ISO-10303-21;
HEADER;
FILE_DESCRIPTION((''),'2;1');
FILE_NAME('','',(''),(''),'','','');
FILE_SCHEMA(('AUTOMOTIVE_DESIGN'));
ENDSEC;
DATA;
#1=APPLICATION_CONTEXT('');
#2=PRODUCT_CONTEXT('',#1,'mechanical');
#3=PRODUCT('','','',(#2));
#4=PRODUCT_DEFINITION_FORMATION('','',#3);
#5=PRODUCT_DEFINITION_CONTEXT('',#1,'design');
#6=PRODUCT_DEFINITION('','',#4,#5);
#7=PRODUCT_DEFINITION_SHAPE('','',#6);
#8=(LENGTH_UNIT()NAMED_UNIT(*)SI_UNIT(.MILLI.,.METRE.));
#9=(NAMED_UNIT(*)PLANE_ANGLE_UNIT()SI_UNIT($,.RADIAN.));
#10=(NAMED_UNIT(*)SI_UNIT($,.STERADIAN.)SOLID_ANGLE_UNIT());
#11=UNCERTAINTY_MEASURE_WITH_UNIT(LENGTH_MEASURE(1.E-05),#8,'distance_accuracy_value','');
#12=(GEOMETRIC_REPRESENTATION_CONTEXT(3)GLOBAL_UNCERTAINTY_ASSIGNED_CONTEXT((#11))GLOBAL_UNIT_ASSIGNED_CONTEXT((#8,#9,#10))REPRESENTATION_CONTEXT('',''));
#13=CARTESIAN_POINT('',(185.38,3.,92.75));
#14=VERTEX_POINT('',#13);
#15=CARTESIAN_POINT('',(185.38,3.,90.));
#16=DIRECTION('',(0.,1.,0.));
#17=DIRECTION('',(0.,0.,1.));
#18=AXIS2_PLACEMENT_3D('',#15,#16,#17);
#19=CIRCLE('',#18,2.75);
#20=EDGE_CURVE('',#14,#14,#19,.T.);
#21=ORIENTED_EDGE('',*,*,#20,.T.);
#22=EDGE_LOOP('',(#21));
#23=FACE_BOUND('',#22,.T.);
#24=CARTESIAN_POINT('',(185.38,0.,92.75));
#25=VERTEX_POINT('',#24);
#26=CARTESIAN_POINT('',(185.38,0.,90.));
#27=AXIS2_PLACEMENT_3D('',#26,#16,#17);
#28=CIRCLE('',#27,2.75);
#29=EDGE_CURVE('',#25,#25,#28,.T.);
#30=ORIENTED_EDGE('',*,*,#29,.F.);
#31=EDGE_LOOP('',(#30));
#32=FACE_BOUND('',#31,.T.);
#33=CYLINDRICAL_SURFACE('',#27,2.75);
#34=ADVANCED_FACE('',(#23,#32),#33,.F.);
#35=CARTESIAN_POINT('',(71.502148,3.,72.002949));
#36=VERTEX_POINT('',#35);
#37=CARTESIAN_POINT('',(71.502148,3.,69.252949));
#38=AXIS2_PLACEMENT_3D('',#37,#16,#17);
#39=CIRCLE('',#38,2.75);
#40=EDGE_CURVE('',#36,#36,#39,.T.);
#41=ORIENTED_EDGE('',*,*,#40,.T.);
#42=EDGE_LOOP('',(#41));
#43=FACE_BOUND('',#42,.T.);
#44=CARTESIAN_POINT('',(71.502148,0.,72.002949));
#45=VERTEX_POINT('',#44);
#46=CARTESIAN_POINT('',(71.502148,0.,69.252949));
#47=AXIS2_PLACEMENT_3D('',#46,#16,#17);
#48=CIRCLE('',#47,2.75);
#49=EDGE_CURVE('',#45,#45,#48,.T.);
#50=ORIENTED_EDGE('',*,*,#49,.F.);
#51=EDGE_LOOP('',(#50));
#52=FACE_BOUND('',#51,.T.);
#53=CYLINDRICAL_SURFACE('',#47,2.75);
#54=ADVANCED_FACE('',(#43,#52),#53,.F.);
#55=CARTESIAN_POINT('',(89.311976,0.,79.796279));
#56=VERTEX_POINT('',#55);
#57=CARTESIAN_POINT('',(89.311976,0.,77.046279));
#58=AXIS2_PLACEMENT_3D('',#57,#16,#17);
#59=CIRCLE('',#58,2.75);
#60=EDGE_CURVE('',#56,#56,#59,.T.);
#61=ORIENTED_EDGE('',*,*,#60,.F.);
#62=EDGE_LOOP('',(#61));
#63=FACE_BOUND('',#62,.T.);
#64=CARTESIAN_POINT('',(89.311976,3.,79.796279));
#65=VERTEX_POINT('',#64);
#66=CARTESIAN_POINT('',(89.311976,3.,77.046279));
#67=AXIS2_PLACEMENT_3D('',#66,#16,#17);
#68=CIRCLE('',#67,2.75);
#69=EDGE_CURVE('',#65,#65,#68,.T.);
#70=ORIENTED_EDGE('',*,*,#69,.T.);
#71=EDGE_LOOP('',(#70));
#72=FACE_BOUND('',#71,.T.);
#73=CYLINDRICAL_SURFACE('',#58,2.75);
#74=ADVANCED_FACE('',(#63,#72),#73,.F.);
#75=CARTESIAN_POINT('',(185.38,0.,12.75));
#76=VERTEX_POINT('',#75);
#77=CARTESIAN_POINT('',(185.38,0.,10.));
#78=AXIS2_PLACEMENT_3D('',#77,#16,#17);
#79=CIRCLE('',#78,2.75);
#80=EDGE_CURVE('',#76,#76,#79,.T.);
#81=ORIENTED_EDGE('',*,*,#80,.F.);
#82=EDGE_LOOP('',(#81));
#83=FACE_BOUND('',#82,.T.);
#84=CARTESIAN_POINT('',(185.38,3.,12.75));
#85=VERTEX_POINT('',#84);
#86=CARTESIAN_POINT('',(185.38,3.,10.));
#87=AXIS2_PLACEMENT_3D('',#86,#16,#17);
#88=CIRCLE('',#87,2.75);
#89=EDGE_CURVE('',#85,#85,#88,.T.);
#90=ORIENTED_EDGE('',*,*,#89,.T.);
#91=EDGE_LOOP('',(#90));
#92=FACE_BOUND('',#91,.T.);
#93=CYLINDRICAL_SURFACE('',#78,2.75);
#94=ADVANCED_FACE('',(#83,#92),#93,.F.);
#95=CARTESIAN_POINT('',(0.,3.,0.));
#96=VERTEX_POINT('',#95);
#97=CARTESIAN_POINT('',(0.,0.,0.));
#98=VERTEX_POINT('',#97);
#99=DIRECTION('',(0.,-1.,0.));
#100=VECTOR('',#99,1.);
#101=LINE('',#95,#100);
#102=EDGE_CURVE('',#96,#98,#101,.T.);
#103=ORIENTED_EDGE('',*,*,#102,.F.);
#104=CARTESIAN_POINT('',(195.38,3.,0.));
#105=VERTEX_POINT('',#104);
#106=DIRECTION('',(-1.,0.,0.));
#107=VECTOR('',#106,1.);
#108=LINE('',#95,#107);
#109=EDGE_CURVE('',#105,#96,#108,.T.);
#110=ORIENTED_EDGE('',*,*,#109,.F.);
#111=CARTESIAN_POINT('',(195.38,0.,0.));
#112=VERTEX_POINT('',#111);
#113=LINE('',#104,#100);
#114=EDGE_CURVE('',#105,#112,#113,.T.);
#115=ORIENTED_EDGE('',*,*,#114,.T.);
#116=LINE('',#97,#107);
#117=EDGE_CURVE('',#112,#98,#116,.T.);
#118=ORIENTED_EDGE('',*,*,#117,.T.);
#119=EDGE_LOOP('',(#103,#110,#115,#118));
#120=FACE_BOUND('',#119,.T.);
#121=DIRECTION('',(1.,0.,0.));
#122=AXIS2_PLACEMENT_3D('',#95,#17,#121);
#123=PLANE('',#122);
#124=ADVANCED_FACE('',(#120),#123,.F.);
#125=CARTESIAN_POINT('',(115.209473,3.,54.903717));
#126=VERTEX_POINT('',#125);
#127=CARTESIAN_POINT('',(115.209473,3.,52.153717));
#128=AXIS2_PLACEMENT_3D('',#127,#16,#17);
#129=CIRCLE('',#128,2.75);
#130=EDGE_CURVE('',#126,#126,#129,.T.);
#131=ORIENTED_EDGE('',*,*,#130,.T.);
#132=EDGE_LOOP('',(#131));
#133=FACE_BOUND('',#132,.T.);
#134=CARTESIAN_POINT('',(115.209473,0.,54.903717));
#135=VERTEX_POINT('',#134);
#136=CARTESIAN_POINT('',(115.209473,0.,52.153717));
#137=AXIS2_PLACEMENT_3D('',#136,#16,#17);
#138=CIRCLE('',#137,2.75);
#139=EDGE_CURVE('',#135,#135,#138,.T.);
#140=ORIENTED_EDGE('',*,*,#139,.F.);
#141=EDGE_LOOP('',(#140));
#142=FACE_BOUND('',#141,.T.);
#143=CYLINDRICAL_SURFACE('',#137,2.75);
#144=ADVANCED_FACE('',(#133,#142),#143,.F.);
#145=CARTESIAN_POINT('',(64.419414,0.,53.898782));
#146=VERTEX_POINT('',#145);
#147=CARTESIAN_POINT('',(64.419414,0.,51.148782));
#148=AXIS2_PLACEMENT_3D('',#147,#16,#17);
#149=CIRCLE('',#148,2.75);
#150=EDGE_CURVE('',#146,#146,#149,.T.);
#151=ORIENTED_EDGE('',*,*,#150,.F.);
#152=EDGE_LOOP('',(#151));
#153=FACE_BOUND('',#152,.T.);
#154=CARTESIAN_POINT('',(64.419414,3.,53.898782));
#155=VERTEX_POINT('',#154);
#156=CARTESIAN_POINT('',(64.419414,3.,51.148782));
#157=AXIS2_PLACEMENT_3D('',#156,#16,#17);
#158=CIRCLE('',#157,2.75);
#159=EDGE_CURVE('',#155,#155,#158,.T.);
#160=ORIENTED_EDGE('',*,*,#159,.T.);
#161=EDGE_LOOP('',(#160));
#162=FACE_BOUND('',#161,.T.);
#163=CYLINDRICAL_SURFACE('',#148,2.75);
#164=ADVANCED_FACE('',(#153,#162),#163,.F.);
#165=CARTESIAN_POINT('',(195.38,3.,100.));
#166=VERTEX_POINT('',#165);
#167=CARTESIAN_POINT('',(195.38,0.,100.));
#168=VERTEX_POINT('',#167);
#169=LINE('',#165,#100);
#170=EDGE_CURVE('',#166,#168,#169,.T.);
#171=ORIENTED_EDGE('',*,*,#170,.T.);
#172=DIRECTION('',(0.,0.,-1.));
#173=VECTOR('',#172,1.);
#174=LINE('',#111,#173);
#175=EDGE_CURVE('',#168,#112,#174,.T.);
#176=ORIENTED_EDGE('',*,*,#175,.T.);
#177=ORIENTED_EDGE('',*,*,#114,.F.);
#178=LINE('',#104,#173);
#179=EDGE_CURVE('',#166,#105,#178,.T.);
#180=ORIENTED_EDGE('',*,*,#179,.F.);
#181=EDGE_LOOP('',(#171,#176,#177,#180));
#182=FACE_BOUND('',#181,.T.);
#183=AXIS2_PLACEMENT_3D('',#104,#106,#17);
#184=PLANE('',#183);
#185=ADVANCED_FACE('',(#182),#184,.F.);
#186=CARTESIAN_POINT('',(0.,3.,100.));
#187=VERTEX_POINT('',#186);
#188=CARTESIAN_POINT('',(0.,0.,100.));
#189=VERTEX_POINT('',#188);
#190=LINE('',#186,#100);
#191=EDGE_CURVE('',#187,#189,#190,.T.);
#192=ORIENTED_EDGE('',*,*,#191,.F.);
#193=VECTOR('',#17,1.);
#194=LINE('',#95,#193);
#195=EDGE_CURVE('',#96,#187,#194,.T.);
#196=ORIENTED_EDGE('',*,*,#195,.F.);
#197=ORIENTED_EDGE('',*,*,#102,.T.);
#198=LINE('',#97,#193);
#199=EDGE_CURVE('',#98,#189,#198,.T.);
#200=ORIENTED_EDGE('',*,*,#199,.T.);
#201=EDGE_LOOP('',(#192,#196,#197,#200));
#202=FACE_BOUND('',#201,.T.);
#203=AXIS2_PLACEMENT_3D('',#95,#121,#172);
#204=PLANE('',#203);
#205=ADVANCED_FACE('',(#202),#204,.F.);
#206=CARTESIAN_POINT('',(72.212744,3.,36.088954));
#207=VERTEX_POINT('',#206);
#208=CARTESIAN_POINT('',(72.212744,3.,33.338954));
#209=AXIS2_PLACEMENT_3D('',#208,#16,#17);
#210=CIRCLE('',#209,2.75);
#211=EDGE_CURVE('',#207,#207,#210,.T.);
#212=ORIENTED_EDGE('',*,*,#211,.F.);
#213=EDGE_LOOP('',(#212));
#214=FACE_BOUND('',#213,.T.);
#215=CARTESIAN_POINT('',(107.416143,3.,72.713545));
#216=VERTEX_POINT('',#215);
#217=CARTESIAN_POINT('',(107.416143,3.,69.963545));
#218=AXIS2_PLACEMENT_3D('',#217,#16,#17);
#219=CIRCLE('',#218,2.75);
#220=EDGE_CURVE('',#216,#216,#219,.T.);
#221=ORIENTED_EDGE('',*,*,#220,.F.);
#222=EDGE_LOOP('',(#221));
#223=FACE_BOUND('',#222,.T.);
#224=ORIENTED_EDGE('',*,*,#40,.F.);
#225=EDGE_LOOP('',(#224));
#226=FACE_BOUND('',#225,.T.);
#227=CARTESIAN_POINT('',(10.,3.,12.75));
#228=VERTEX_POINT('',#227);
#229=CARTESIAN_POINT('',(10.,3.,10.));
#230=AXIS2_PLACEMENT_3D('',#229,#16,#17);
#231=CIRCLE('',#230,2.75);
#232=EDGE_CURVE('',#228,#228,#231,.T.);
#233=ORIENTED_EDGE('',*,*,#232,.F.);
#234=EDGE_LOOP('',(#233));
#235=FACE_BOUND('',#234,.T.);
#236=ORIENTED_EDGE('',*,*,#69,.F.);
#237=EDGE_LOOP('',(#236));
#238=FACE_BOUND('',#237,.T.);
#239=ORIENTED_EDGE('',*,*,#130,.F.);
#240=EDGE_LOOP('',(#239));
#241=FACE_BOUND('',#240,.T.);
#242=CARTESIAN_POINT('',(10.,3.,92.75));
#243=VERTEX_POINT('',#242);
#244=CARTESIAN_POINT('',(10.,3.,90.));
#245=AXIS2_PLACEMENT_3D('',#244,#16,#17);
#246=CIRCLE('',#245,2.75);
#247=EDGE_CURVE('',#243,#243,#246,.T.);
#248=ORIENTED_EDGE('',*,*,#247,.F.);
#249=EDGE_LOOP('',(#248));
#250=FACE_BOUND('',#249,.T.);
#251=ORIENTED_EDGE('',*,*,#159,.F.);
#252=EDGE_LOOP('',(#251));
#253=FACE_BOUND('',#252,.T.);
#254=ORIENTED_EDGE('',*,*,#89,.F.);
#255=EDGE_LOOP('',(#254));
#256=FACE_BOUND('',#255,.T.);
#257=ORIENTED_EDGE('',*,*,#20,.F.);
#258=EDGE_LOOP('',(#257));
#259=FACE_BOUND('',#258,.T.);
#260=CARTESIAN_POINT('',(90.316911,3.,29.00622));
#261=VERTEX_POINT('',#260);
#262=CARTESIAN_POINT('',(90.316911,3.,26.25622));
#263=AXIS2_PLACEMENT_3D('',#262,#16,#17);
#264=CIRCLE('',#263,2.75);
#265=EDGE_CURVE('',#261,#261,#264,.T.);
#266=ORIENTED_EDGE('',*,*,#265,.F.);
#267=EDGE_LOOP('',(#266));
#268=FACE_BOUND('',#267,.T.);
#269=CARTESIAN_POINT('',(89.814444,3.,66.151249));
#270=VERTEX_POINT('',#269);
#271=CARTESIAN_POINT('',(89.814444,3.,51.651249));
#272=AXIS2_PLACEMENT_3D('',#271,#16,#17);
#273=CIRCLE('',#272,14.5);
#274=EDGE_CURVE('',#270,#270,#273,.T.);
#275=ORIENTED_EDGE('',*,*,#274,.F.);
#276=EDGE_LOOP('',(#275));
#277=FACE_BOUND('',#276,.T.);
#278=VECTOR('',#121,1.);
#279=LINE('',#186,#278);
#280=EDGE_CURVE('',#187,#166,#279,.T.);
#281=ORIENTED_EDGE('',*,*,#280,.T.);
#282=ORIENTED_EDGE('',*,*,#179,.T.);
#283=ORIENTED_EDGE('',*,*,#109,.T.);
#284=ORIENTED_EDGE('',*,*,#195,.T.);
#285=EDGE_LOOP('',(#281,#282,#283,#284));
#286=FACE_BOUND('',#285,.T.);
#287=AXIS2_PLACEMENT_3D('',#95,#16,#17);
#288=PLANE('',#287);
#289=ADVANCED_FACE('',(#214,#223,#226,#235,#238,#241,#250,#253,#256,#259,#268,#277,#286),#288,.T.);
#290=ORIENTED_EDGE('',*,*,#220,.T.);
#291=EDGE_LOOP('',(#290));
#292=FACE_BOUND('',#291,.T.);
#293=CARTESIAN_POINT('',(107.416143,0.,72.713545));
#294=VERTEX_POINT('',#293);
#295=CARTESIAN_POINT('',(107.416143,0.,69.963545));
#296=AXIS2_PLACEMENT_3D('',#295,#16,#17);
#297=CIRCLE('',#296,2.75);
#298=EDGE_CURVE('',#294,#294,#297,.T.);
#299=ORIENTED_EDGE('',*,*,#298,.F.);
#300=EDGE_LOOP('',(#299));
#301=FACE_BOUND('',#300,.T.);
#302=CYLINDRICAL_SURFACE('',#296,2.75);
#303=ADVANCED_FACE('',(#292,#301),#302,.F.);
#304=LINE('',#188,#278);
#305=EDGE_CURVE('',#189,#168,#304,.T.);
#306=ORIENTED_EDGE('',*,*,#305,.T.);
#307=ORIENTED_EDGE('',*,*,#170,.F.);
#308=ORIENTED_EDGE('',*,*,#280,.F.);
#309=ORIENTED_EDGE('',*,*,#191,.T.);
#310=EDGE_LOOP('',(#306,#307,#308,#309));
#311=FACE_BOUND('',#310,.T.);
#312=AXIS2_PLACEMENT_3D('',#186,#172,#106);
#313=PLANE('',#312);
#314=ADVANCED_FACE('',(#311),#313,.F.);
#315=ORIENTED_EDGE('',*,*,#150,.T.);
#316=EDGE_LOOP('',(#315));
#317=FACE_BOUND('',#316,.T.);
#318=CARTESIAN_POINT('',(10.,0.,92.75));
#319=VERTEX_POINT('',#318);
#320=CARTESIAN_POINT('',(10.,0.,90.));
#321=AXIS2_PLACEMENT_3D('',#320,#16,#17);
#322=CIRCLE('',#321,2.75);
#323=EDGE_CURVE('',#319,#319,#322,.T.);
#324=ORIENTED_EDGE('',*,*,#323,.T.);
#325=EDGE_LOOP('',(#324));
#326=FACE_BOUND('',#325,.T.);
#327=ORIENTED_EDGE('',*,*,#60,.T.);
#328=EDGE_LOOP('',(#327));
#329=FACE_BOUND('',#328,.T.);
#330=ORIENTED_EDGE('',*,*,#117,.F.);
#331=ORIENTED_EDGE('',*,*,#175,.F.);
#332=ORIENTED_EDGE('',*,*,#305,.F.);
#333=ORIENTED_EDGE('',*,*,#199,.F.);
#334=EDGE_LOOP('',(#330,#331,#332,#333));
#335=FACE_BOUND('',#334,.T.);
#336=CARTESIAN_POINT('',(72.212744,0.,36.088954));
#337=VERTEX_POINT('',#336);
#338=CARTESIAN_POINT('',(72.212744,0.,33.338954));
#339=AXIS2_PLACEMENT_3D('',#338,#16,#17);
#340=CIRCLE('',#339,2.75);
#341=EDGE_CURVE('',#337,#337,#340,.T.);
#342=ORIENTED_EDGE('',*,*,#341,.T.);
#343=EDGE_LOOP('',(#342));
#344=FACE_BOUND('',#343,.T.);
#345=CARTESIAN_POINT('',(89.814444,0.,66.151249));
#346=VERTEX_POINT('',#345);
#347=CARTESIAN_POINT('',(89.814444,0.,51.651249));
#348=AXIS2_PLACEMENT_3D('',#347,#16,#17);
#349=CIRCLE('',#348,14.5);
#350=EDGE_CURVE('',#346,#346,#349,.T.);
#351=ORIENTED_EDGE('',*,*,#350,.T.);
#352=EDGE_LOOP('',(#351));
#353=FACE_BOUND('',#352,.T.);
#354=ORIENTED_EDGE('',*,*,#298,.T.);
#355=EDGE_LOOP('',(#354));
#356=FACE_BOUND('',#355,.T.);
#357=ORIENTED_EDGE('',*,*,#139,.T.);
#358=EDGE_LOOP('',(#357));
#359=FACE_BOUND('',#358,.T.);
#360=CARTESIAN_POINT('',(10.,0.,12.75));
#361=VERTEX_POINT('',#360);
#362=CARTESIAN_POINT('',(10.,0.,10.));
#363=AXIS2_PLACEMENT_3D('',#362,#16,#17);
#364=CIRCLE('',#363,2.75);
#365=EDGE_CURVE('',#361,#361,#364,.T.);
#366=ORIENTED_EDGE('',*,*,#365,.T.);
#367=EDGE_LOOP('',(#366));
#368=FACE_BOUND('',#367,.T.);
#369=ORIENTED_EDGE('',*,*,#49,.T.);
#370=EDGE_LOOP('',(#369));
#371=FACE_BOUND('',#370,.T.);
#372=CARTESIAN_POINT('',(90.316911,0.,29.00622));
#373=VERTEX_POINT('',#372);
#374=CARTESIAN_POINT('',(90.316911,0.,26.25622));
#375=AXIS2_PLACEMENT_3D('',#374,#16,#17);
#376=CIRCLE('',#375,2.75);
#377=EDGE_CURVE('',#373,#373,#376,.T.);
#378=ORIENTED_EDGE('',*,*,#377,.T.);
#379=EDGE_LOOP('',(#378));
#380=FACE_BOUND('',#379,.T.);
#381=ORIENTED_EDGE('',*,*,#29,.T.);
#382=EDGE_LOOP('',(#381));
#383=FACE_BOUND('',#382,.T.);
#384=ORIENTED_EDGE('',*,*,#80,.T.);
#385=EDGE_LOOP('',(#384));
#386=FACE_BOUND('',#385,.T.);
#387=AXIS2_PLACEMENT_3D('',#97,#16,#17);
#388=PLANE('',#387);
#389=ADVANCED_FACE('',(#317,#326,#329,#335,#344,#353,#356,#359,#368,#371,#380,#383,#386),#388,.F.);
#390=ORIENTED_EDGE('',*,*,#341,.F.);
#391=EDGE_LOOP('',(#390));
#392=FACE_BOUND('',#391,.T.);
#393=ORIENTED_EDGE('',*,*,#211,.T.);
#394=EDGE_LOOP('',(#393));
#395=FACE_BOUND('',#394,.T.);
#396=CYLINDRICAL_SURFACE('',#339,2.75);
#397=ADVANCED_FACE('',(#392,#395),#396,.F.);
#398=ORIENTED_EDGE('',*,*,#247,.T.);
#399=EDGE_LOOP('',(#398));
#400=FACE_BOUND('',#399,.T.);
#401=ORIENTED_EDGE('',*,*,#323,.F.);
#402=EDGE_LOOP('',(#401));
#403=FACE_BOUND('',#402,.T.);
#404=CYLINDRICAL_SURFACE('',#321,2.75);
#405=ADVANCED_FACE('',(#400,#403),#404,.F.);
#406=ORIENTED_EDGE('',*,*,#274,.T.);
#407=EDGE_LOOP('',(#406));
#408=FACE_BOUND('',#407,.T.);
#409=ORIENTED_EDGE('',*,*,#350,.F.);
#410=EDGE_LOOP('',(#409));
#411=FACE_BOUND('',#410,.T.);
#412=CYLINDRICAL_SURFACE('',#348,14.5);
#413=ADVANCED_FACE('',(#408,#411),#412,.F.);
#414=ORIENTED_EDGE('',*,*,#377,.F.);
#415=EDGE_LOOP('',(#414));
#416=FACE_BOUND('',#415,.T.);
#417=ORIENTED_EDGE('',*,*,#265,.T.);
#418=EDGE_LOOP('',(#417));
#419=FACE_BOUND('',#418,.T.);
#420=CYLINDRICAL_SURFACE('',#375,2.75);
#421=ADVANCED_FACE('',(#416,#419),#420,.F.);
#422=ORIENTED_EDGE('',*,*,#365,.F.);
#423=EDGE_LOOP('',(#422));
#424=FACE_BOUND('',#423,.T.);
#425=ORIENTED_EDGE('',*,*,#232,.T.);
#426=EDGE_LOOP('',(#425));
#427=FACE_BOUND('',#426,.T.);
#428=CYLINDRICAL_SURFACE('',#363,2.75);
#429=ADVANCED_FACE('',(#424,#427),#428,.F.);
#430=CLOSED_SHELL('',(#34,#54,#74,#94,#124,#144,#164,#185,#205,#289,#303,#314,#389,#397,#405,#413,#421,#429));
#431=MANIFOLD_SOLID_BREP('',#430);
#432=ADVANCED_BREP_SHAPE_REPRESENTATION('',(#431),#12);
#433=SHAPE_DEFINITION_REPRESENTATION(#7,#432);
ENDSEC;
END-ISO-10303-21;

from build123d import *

# Parameters (mm, degrees)
SKETCH1_W           = 195.38
SKETCH1_H           = 100
BOSS_EXTRUDE1_DEPTH = 3
SKETCH2_R           = 2.75
CUT_EXTRUDE1_DEPTH  = 4
SKETCH3_R           = 2.75
SKETCH3_R_2         = 14.5
CUT_EXTRUDE2_DEPTH  = 4


with BuildPart() as part:
    # Sketch1 → Boss-Extrude1 (new body)
    with BuildSketch(Plane(origin=(0, 0, 0), x_dir=(1, 0, 0), z_dir=(0, 1, 0))):
        with Locations((97.69, -50)):
            Rectangle(SKETCH1_W, SKETCH1_H)
    extrude(amount=BOSS_EXTRUDE1_DEPTH)

    # Sketch2 → Cut-Extrude1 (cut, through all)
    with BuildSketch(Plane(origin=(0, 3, 0), x_dir=(1, 0, 0), z_dir=(0, 1, 0))):
        with Locations((185.38, -10)):
            Circle(SKETCH2_R)
        with Locations((185.38, -90)):
            Circle(SKETCH2_R)
        with Locations((10, -90)):
            Circle(SKETCH2_R)
        with Locations((10, -10)):
            Circle(SKETCH2_R)
    extrude(amount=-CUT_EXTRUDE1_DEPTH, mode=Mode.SUBTRACT)

    # Sketch3 → Cut-Extrude2 (cut, through all)
    with BuildSketch(Plane(origin=(0, 3, 0), x_dir=(1, 0, 0), z_dir=(0, 1, 0))):
        with Locations((90.316911264, -26.256219724)):
            Circle(SKETCH3_R)
        with Locations((72.212744361, -33.338953579)):
            Circle(SKETCH3_R)
        with Locations((64.419414315, -51.148781901)):
            Circle(SKETCH3_R)
        with Locations((115.209473441, -52.153716673)):
            Circle(SKETCH3_R)
        with Locations((107.416143395, -69.963544996)):
            Circle(SKETCH3_R)
        with Locations((89.311976492, -77.046278851)):
            Circle(SKETCH3_R)
        with Locations((71.50214817, -69.252948804)):
            Circle(SKETCH3_R)
        with Locations((89.814443878, -51.651249287)):
            Circle(SKETCH3_R_2)
    extrude(amount=-CUT_EXTRUDE2_DEPTH, mode=Mode.SUBTRACT)


solid = part.part
